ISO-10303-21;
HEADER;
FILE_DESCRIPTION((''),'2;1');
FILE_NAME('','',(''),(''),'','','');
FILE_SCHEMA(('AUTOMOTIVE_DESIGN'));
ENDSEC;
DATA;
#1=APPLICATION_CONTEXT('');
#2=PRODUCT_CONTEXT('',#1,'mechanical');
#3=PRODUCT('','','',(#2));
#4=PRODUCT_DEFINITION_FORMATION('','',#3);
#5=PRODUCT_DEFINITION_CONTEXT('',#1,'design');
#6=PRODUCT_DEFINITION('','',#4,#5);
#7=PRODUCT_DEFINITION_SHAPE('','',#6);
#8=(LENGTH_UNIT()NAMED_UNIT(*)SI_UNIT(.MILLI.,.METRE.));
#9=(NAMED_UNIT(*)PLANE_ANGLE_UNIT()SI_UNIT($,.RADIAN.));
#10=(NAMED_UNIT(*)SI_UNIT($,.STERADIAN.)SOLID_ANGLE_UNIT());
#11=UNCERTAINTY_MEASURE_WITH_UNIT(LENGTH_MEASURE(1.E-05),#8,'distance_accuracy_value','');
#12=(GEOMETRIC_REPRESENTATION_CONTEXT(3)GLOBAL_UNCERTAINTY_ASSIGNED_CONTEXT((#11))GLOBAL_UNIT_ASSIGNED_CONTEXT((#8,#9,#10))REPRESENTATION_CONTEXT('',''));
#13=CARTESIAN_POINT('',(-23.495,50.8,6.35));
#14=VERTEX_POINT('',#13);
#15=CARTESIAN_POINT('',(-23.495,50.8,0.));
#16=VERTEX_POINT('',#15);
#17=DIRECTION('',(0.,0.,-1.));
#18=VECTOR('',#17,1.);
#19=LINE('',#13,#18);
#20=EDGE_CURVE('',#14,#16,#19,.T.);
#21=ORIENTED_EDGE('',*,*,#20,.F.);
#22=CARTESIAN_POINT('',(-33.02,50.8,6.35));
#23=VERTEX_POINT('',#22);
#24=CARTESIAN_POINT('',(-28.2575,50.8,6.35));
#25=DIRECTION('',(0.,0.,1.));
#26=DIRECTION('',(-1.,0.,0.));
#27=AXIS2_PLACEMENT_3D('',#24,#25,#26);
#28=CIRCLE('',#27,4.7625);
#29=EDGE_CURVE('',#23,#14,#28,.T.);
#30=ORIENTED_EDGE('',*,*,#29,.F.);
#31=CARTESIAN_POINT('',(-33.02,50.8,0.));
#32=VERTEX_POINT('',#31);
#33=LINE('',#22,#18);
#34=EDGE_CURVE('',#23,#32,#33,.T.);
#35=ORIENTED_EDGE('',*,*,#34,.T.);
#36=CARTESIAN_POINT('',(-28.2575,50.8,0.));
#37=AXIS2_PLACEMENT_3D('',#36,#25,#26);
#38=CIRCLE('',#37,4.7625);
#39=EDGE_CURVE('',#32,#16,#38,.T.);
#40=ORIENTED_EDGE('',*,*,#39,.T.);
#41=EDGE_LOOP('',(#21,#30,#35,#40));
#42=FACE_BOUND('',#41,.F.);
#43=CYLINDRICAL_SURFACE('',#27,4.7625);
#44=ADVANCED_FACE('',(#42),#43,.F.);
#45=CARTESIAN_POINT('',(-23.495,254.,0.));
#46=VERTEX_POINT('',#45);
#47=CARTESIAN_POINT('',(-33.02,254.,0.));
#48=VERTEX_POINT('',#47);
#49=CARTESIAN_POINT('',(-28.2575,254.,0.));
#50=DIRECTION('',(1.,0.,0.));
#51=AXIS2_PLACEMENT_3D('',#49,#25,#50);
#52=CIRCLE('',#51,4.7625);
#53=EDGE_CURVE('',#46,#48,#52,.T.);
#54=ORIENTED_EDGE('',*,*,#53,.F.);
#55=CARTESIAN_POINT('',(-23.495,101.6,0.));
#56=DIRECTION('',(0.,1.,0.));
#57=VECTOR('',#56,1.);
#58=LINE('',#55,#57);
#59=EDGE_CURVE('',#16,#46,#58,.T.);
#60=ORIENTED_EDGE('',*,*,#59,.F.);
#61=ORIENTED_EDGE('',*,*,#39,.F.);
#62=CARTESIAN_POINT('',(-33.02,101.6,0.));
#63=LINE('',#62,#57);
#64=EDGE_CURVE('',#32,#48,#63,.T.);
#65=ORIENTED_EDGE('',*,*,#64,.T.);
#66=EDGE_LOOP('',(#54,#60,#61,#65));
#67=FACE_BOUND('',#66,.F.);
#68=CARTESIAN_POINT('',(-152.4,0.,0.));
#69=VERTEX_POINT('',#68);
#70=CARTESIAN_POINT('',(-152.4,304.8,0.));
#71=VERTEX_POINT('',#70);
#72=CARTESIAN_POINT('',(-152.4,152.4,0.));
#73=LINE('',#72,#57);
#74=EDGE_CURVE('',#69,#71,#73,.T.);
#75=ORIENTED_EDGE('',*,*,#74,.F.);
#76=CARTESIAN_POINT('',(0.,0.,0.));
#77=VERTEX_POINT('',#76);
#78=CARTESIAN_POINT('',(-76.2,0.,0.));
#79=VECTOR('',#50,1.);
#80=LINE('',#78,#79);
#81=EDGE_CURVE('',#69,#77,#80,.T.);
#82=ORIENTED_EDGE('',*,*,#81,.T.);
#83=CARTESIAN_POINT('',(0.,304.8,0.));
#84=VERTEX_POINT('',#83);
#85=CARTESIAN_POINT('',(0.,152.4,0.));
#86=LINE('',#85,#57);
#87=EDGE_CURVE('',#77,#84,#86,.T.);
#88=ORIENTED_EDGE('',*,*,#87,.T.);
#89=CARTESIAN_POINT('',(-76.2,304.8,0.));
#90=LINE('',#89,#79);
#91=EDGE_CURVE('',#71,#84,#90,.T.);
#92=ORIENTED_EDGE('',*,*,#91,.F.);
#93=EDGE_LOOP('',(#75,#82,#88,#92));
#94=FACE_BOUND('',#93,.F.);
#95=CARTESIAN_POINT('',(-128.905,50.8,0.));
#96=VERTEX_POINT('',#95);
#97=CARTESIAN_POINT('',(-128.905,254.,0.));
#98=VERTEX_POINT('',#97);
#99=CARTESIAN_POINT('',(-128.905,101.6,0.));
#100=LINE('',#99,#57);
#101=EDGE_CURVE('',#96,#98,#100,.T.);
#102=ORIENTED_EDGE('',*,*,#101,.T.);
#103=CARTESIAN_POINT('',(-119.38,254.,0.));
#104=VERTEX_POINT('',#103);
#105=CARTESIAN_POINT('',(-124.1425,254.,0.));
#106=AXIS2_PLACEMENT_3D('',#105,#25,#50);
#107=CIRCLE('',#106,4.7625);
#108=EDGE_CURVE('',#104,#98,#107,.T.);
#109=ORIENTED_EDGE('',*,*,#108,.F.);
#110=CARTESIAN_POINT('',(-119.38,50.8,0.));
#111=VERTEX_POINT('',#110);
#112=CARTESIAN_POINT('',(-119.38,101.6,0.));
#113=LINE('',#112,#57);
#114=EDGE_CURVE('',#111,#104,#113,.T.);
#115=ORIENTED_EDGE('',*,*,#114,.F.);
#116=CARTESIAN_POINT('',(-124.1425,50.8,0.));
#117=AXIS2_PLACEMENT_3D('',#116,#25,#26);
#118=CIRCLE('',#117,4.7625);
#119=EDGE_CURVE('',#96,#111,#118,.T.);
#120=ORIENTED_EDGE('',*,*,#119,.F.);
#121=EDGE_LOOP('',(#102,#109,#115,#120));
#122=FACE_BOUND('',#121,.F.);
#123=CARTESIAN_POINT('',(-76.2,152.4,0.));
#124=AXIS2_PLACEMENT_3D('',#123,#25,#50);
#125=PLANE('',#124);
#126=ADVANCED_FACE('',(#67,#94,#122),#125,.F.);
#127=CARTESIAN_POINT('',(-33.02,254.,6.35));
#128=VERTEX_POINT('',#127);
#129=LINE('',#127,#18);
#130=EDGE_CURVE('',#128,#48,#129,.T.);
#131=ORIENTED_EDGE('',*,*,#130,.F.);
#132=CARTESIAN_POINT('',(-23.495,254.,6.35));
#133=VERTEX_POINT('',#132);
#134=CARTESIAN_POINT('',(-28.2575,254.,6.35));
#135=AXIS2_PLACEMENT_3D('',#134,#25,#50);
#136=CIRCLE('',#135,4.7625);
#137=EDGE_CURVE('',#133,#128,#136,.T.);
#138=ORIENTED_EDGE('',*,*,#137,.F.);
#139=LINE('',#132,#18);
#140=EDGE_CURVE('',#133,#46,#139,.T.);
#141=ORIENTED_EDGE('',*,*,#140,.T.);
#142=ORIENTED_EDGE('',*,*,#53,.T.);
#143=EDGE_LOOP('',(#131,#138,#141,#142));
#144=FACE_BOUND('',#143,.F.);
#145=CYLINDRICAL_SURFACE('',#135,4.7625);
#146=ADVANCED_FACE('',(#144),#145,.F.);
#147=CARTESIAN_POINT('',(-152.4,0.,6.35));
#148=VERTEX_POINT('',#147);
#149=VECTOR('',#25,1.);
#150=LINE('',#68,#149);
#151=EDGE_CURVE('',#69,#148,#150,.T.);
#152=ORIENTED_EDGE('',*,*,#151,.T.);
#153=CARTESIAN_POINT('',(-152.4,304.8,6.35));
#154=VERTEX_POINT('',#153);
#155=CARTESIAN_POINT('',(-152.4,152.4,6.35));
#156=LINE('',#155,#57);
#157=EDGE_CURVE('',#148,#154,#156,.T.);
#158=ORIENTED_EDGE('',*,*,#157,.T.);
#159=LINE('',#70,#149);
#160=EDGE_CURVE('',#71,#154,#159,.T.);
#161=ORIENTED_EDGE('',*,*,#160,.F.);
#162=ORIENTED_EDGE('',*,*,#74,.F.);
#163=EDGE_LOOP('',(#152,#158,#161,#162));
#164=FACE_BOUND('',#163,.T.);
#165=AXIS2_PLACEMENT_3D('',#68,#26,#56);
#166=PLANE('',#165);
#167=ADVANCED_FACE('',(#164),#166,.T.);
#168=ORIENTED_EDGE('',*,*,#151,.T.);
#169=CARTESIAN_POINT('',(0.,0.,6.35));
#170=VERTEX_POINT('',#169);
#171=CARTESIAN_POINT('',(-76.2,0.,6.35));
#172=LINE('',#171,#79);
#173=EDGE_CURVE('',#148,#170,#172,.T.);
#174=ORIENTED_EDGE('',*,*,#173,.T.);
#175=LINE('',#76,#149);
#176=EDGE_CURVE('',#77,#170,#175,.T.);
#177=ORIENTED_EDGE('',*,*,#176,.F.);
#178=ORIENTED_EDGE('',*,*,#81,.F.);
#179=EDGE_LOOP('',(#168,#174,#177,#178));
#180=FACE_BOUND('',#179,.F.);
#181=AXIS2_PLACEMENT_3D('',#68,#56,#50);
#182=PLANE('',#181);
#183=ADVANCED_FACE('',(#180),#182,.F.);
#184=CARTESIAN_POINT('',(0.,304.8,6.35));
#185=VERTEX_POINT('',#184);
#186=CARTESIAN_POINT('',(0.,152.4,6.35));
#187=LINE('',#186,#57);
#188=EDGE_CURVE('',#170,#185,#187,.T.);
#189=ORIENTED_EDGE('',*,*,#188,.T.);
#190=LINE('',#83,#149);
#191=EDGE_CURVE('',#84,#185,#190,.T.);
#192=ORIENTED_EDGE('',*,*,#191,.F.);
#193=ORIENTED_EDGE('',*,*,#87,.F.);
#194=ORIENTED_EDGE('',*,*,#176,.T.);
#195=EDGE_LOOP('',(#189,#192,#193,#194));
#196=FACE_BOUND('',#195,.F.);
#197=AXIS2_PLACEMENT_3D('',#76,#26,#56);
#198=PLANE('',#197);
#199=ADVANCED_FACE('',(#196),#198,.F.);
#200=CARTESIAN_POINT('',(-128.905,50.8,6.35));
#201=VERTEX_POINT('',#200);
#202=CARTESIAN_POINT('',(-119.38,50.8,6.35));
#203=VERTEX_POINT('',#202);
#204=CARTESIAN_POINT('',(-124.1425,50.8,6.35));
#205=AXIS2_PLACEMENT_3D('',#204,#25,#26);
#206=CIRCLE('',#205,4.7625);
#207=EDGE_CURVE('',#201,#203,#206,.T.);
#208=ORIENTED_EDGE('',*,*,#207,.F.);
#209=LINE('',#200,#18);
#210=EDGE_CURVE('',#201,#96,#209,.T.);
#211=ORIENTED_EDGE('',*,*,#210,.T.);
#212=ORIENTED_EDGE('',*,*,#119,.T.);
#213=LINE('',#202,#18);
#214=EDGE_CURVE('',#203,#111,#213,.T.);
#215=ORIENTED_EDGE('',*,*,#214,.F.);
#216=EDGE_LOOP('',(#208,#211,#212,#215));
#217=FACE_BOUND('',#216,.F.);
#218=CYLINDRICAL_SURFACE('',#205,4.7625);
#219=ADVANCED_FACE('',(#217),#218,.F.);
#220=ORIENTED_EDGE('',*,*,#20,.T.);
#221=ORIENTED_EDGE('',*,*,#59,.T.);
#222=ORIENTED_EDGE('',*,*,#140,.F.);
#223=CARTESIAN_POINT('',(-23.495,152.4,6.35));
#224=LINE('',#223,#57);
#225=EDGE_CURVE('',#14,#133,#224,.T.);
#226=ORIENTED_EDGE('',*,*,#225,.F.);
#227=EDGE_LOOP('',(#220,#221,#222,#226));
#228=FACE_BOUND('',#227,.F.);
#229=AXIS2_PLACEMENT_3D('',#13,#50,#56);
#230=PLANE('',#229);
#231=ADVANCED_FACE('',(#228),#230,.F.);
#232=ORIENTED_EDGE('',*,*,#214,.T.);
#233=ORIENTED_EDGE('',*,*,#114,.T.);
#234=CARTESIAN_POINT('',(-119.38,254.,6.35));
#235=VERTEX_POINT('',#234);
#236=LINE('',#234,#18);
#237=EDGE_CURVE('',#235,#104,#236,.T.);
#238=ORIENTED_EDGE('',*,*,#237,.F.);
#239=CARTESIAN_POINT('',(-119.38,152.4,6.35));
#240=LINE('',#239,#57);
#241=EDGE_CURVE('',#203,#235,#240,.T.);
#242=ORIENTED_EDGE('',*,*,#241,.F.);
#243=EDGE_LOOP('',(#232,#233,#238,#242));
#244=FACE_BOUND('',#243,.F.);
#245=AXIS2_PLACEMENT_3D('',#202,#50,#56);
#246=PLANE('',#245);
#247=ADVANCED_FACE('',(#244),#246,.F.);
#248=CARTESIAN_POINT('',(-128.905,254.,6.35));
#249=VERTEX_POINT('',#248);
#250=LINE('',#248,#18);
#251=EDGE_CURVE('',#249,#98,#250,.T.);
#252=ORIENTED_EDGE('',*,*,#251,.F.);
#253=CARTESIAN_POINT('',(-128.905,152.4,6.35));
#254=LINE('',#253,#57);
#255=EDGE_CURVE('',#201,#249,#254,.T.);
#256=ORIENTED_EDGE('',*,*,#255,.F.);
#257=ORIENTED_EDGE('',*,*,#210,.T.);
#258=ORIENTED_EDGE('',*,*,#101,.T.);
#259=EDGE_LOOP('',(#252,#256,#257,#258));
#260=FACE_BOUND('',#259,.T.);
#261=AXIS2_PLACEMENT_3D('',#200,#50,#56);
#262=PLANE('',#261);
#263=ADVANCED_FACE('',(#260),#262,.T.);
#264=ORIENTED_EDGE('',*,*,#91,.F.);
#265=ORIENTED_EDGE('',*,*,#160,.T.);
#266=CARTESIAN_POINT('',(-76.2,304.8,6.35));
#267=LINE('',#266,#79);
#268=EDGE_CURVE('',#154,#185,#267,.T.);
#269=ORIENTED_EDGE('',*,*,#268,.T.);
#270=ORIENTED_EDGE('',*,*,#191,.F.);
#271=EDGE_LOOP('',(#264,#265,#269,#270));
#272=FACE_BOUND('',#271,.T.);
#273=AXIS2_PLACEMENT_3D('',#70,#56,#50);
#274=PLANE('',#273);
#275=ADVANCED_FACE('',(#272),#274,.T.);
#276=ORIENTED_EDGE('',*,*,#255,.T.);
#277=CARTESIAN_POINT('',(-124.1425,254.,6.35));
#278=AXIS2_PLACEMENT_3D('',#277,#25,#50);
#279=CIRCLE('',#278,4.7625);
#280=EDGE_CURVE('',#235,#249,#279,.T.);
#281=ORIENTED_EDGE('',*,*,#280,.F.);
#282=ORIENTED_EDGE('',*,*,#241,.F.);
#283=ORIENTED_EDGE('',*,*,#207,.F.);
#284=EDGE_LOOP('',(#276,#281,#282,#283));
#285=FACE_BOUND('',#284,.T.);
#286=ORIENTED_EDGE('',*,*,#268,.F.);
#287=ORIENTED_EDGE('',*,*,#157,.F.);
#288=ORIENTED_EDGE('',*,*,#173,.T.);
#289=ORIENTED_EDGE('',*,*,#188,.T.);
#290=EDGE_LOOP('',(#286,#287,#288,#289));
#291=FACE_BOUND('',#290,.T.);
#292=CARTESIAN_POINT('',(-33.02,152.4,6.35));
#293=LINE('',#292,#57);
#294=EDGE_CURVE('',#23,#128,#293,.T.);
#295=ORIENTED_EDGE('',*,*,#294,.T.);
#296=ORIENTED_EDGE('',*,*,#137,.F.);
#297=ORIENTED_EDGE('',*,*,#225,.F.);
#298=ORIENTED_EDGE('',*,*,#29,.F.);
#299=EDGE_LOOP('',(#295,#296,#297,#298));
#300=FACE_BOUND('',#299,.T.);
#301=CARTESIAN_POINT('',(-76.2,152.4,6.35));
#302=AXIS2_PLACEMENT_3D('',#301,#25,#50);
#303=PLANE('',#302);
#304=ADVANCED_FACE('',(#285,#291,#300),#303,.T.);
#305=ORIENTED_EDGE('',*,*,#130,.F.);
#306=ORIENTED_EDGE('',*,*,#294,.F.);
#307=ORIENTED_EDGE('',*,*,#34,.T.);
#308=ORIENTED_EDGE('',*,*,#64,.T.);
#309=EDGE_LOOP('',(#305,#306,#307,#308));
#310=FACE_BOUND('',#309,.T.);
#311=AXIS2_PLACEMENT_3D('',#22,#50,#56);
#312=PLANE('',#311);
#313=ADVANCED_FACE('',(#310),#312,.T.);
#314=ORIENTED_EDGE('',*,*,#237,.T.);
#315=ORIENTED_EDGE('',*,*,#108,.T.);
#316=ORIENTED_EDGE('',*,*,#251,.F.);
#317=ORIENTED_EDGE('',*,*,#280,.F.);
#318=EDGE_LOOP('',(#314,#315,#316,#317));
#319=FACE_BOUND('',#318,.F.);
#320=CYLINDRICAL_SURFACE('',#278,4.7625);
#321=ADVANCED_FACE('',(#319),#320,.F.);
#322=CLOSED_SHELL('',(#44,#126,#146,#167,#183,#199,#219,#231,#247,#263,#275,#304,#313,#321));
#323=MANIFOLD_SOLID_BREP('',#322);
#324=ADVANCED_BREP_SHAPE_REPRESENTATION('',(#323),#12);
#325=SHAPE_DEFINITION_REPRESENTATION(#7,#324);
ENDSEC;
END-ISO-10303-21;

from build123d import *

# Parameters (mm, degrees)
F0_W     = 152.4
F0_H     = 304.8
F1_DEPTH = 6.35
F2_W     = 9.525
F2_H     = 203.2
F3_DEPTH = 25.4


with BuildPart() as f1:
    # F0 (on Top) → F1 (new body)
    with BuildSketch(Plane.XY):
        with Locations((-76.2, 152.4)):
            Rectangle(F0_W, F0_H)
    extrude(amount=F1_DEPTH)

    # F2 (on face) → F3 (cut)
    with BuildSketch(Plane.XY.offset(6.35)):
        with BuildLine():
            ThreePointArc((-119.38, 254), (-124.1425, 258.7625), (-128.905, 254))
            Line((-128.905, 254), (-119.38, 254))
        make_face()
        with Locations((-124.1425, 152.4)):
            Rectangle(F2_W, F2_H)
        with BuildLine():
            Line((-119.38, 50.8), (-128.905, 50.8))
            ThreePointArc((-128.905, 50.8), (-124.1425, 46.0375), (-119.38, 50.8))
        make_face()
        with BuildLine():
            ThreePointArc((-23.495, 254), (-28.2575, 258.7625), (-33.02, 254))
            Line((-33.02, 254), (-23.495, 254))
        make_face()
        with Locations((-28.2575, 152.4)):
            Rectangle(F2_W, F2_H)
        with BuildLine():
            Line((-23.495, 50.8), (-33.02, 50.8))
            ThreePointArc((-33.02, 50.8), (-28.2575, 46.0375), (-23.495, 50.8))
        make_face()
    extrude(amount=-F3_DEPTH, mode=Mode.SUBTRACT)


solid = f1.part
